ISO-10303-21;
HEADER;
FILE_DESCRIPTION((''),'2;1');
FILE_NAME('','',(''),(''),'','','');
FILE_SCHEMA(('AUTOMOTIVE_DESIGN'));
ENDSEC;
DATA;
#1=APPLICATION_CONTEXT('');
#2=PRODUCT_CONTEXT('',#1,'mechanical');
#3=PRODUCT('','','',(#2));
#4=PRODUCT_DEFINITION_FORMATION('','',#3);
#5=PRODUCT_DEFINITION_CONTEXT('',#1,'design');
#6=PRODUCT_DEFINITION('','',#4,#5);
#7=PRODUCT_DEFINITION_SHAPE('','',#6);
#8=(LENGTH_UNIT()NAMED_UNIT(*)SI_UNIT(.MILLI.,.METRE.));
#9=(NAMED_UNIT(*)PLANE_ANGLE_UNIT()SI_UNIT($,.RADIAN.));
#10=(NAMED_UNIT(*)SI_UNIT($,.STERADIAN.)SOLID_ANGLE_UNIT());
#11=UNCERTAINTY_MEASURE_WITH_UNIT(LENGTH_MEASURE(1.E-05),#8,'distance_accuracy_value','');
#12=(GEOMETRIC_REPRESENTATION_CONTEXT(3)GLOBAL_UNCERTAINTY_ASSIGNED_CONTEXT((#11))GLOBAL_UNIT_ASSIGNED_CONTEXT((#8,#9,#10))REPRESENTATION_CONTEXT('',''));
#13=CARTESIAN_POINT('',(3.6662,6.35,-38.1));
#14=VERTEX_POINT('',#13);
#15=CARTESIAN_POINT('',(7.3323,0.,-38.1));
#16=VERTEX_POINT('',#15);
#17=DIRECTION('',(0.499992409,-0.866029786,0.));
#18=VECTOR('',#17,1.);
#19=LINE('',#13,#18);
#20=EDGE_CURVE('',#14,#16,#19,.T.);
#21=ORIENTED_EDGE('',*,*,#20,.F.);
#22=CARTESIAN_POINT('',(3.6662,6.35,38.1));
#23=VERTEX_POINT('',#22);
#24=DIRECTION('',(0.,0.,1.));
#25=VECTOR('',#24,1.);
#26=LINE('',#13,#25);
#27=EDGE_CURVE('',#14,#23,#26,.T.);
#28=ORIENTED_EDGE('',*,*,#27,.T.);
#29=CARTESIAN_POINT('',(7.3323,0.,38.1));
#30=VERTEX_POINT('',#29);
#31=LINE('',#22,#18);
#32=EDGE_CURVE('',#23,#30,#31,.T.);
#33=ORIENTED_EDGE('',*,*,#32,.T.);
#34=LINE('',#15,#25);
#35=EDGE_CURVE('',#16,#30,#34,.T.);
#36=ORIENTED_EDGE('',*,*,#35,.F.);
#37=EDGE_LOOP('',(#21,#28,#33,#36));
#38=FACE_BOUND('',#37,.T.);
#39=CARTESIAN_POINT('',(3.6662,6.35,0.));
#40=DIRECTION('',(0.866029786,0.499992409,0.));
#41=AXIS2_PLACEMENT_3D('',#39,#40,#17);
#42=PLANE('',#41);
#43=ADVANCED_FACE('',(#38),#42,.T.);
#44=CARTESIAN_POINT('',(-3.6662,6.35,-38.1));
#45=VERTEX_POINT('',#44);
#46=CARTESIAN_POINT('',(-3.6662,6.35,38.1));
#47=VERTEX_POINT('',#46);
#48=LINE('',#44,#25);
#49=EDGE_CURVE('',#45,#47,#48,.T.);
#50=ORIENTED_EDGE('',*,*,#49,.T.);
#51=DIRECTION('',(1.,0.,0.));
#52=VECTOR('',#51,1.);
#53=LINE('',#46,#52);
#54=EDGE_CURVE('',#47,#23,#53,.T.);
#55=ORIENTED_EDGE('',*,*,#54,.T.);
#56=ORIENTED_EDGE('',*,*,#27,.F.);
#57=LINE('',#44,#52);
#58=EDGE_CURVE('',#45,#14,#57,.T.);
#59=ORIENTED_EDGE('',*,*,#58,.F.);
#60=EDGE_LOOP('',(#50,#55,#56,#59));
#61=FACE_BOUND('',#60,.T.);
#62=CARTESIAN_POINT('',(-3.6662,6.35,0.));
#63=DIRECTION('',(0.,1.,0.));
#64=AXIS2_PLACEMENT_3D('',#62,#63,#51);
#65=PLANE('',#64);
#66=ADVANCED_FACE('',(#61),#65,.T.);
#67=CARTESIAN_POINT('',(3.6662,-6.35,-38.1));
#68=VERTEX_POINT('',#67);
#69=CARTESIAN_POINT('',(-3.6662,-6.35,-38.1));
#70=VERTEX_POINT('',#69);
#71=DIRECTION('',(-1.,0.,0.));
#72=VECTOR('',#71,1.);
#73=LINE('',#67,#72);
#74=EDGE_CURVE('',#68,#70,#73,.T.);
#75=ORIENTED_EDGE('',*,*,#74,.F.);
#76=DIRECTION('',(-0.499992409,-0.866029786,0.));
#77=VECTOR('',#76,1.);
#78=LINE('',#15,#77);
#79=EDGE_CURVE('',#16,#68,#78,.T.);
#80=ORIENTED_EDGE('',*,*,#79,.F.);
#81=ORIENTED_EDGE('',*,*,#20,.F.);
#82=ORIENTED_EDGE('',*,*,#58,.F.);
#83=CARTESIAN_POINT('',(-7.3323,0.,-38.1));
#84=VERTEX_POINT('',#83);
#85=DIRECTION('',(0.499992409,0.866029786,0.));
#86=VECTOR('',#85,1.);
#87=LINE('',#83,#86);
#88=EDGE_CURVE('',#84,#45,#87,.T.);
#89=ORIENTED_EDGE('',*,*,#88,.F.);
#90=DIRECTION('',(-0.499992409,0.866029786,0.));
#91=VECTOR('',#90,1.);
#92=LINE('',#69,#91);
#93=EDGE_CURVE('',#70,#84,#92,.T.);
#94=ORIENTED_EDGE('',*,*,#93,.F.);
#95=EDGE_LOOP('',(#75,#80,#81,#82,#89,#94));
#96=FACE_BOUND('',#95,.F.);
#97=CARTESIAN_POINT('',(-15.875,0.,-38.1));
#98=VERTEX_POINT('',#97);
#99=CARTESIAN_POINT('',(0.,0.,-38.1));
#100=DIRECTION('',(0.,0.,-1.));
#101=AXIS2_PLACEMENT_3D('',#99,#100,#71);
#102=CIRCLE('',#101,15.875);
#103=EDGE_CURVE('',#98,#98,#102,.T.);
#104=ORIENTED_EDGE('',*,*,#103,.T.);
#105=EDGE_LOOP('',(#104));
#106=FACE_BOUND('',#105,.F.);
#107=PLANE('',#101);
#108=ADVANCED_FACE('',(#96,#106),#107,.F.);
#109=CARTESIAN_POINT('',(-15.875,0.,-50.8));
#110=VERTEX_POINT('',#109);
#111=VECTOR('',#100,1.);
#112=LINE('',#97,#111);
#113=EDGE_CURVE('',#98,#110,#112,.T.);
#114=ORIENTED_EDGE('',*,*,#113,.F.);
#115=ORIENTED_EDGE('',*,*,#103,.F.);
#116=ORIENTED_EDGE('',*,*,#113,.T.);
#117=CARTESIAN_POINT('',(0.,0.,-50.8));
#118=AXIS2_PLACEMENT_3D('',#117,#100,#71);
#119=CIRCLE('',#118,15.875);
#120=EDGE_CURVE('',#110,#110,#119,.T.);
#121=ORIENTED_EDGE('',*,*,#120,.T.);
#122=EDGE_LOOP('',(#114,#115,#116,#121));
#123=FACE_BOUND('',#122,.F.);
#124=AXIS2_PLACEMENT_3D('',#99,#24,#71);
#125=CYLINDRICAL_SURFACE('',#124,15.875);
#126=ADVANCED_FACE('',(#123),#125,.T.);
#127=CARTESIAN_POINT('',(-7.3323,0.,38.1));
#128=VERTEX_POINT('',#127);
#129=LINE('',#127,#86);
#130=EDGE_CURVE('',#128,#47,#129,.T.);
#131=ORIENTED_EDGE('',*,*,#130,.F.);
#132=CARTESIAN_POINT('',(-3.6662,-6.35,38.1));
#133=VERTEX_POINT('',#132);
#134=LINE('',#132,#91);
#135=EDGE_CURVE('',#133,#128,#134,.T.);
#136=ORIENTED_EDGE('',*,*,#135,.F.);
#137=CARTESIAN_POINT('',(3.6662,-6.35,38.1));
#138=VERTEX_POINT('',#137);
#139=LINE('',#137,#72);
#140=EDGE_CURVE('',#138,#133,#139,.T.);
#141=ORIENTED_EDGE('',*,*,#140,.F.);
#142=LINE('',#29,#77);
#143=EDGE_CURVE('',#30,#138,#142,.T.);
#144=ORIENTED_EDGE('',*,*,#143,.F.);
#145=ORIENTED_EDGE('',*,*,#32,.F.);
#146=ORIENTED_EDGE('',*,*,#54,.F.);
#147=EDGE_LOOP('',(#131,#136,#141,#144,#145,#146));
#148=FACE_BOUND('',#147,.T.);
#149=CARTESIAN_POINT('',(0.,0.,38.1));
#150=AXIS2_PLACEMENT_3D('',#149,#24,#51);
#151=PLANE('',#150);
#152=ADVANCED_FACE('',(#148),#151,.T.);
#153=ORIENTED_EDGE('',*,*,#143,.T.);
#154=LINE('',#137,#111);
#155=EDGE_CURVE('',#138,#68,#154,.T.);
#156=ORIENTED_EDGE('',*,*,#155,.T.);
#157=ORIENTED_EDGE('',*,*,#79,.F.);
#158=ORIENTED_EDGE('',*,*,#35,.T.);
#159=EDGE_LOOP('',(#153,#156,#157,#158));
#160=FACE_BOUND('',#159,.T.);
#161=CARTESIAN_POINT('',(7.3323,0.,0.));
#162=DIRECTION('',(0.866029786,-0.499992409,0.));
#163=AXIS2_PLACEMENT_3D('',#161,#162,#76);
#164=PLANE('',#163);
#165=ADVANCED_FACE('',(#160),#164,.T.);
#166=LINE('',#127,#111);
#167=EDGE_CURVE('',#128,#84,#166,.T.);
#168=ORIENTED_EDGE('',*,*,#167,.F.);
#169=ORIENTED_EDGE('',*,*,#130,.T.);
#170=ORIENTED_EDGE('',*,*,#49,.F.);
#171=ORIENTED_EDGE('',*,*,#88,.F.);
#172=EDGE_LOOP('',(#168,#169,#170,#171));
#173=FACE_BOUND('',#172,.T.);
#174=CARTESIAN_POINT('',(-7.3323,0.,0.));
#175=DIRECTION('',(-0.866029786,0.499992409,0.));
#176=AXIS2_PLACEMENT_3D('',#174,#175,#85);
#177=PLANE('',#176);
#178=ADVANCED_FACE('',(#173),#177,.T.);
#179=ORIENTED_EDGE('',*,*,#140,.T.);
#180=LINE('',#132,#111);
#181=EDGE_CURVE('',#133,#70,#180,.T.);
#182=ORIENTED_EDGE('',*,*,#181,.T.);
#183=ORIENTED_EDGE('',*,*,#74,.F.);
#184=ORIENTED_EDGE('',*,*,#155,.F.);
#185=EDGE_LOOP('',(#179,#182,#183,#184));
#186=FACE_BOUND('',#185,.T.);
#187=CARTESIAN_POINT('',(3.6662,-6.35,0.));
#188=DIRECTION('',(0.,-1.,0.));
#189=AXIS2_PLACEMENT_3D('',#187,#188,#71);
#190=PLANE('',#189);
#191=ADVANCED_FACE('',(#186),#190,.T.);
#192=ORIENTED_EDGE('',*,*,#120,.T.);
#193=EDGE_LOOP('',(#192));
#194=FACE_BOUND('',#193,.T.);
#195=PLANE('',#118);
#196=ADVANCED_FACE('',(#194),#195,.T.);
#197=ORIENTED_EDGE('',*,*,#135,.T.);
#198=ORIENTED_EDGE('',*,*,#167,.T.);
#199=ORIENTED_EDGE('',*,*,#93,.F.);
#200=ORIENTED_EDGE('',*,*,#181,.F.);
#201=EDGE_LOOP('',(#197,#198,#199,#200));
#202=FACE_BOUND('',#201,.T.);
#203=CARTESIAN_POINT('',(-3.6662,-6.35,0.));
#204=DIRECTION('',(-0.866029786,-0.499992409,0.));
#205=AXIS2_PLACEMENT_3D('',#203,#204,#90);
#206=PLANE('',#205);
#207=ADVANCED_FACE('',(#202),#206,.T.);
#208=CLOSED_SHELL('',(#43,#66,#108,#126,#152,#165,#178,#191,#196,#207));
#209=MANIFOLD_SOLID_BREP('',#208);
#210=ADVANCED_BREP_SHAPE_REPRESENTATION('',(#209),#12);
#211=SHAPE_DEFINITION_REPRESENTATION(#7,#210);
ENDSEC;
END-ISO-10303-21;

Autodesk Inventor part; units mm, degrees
ref_plane "YZ Plane" through (0, 0, 0) normal (1, 0, 0) x (0, 1, 0)
ref_plane "XZ Plane" through (0, 0, 0) normal (0, 1, 0) x (-1, 0, 0)
ref_plane "XY Plane" through (0, 0, 0) normal (0, 0, 1) x (1, 0, 0)
sketch "Sketch1" plane through (0, 0, 0) normal (0, 0, 1) x (1, 0, 0)
  line L0 (7.3323, 0) -> (3.6662, -6.35)
  line L1 (3.6662, -6.35) -> (-3.6662, -6.35)
  line L2 (-3.6662, -6.35) -> (-7.3323, 0)
  line L3 (-7.3323, 0) -> (-3.6662, 6.35)
  line L4 (-3.6662, 6.35) -> (3.6662, 6.35)
  line L5 (3.6662, 6.35) -> (7.3323, 0)
  point P0 (0, 0)
  point P1 (0, 0)
  dimension "d0" = 12.7
extrude "Extrusion1" add sketch "Sketch1" along normal mid plane 76.2
sketch "Sketch2" plane through (0, 0, -38.1) normal (0, 0, -1) x (-1, 0, 0)
  circle A0 centre (0, 0) radius 15.875
  dimension "d3" = 31.75
extrude "Extrusion2" add sketch "Sketch2" along normal blind 12.7
equation "\"d0\" = printedHexSize"
equation "\"d1\" = length"
equation "\"hexSize\" = 12.7"
equation "\"slipFitOffset\" = 0"
equation "\"printedHexSize\" = hexSize - slipFitOffset"
equation "\"length\" = 76.2"
properties part number "1_2x3-inchHexShaft" material "PC/ABS Plastic"
